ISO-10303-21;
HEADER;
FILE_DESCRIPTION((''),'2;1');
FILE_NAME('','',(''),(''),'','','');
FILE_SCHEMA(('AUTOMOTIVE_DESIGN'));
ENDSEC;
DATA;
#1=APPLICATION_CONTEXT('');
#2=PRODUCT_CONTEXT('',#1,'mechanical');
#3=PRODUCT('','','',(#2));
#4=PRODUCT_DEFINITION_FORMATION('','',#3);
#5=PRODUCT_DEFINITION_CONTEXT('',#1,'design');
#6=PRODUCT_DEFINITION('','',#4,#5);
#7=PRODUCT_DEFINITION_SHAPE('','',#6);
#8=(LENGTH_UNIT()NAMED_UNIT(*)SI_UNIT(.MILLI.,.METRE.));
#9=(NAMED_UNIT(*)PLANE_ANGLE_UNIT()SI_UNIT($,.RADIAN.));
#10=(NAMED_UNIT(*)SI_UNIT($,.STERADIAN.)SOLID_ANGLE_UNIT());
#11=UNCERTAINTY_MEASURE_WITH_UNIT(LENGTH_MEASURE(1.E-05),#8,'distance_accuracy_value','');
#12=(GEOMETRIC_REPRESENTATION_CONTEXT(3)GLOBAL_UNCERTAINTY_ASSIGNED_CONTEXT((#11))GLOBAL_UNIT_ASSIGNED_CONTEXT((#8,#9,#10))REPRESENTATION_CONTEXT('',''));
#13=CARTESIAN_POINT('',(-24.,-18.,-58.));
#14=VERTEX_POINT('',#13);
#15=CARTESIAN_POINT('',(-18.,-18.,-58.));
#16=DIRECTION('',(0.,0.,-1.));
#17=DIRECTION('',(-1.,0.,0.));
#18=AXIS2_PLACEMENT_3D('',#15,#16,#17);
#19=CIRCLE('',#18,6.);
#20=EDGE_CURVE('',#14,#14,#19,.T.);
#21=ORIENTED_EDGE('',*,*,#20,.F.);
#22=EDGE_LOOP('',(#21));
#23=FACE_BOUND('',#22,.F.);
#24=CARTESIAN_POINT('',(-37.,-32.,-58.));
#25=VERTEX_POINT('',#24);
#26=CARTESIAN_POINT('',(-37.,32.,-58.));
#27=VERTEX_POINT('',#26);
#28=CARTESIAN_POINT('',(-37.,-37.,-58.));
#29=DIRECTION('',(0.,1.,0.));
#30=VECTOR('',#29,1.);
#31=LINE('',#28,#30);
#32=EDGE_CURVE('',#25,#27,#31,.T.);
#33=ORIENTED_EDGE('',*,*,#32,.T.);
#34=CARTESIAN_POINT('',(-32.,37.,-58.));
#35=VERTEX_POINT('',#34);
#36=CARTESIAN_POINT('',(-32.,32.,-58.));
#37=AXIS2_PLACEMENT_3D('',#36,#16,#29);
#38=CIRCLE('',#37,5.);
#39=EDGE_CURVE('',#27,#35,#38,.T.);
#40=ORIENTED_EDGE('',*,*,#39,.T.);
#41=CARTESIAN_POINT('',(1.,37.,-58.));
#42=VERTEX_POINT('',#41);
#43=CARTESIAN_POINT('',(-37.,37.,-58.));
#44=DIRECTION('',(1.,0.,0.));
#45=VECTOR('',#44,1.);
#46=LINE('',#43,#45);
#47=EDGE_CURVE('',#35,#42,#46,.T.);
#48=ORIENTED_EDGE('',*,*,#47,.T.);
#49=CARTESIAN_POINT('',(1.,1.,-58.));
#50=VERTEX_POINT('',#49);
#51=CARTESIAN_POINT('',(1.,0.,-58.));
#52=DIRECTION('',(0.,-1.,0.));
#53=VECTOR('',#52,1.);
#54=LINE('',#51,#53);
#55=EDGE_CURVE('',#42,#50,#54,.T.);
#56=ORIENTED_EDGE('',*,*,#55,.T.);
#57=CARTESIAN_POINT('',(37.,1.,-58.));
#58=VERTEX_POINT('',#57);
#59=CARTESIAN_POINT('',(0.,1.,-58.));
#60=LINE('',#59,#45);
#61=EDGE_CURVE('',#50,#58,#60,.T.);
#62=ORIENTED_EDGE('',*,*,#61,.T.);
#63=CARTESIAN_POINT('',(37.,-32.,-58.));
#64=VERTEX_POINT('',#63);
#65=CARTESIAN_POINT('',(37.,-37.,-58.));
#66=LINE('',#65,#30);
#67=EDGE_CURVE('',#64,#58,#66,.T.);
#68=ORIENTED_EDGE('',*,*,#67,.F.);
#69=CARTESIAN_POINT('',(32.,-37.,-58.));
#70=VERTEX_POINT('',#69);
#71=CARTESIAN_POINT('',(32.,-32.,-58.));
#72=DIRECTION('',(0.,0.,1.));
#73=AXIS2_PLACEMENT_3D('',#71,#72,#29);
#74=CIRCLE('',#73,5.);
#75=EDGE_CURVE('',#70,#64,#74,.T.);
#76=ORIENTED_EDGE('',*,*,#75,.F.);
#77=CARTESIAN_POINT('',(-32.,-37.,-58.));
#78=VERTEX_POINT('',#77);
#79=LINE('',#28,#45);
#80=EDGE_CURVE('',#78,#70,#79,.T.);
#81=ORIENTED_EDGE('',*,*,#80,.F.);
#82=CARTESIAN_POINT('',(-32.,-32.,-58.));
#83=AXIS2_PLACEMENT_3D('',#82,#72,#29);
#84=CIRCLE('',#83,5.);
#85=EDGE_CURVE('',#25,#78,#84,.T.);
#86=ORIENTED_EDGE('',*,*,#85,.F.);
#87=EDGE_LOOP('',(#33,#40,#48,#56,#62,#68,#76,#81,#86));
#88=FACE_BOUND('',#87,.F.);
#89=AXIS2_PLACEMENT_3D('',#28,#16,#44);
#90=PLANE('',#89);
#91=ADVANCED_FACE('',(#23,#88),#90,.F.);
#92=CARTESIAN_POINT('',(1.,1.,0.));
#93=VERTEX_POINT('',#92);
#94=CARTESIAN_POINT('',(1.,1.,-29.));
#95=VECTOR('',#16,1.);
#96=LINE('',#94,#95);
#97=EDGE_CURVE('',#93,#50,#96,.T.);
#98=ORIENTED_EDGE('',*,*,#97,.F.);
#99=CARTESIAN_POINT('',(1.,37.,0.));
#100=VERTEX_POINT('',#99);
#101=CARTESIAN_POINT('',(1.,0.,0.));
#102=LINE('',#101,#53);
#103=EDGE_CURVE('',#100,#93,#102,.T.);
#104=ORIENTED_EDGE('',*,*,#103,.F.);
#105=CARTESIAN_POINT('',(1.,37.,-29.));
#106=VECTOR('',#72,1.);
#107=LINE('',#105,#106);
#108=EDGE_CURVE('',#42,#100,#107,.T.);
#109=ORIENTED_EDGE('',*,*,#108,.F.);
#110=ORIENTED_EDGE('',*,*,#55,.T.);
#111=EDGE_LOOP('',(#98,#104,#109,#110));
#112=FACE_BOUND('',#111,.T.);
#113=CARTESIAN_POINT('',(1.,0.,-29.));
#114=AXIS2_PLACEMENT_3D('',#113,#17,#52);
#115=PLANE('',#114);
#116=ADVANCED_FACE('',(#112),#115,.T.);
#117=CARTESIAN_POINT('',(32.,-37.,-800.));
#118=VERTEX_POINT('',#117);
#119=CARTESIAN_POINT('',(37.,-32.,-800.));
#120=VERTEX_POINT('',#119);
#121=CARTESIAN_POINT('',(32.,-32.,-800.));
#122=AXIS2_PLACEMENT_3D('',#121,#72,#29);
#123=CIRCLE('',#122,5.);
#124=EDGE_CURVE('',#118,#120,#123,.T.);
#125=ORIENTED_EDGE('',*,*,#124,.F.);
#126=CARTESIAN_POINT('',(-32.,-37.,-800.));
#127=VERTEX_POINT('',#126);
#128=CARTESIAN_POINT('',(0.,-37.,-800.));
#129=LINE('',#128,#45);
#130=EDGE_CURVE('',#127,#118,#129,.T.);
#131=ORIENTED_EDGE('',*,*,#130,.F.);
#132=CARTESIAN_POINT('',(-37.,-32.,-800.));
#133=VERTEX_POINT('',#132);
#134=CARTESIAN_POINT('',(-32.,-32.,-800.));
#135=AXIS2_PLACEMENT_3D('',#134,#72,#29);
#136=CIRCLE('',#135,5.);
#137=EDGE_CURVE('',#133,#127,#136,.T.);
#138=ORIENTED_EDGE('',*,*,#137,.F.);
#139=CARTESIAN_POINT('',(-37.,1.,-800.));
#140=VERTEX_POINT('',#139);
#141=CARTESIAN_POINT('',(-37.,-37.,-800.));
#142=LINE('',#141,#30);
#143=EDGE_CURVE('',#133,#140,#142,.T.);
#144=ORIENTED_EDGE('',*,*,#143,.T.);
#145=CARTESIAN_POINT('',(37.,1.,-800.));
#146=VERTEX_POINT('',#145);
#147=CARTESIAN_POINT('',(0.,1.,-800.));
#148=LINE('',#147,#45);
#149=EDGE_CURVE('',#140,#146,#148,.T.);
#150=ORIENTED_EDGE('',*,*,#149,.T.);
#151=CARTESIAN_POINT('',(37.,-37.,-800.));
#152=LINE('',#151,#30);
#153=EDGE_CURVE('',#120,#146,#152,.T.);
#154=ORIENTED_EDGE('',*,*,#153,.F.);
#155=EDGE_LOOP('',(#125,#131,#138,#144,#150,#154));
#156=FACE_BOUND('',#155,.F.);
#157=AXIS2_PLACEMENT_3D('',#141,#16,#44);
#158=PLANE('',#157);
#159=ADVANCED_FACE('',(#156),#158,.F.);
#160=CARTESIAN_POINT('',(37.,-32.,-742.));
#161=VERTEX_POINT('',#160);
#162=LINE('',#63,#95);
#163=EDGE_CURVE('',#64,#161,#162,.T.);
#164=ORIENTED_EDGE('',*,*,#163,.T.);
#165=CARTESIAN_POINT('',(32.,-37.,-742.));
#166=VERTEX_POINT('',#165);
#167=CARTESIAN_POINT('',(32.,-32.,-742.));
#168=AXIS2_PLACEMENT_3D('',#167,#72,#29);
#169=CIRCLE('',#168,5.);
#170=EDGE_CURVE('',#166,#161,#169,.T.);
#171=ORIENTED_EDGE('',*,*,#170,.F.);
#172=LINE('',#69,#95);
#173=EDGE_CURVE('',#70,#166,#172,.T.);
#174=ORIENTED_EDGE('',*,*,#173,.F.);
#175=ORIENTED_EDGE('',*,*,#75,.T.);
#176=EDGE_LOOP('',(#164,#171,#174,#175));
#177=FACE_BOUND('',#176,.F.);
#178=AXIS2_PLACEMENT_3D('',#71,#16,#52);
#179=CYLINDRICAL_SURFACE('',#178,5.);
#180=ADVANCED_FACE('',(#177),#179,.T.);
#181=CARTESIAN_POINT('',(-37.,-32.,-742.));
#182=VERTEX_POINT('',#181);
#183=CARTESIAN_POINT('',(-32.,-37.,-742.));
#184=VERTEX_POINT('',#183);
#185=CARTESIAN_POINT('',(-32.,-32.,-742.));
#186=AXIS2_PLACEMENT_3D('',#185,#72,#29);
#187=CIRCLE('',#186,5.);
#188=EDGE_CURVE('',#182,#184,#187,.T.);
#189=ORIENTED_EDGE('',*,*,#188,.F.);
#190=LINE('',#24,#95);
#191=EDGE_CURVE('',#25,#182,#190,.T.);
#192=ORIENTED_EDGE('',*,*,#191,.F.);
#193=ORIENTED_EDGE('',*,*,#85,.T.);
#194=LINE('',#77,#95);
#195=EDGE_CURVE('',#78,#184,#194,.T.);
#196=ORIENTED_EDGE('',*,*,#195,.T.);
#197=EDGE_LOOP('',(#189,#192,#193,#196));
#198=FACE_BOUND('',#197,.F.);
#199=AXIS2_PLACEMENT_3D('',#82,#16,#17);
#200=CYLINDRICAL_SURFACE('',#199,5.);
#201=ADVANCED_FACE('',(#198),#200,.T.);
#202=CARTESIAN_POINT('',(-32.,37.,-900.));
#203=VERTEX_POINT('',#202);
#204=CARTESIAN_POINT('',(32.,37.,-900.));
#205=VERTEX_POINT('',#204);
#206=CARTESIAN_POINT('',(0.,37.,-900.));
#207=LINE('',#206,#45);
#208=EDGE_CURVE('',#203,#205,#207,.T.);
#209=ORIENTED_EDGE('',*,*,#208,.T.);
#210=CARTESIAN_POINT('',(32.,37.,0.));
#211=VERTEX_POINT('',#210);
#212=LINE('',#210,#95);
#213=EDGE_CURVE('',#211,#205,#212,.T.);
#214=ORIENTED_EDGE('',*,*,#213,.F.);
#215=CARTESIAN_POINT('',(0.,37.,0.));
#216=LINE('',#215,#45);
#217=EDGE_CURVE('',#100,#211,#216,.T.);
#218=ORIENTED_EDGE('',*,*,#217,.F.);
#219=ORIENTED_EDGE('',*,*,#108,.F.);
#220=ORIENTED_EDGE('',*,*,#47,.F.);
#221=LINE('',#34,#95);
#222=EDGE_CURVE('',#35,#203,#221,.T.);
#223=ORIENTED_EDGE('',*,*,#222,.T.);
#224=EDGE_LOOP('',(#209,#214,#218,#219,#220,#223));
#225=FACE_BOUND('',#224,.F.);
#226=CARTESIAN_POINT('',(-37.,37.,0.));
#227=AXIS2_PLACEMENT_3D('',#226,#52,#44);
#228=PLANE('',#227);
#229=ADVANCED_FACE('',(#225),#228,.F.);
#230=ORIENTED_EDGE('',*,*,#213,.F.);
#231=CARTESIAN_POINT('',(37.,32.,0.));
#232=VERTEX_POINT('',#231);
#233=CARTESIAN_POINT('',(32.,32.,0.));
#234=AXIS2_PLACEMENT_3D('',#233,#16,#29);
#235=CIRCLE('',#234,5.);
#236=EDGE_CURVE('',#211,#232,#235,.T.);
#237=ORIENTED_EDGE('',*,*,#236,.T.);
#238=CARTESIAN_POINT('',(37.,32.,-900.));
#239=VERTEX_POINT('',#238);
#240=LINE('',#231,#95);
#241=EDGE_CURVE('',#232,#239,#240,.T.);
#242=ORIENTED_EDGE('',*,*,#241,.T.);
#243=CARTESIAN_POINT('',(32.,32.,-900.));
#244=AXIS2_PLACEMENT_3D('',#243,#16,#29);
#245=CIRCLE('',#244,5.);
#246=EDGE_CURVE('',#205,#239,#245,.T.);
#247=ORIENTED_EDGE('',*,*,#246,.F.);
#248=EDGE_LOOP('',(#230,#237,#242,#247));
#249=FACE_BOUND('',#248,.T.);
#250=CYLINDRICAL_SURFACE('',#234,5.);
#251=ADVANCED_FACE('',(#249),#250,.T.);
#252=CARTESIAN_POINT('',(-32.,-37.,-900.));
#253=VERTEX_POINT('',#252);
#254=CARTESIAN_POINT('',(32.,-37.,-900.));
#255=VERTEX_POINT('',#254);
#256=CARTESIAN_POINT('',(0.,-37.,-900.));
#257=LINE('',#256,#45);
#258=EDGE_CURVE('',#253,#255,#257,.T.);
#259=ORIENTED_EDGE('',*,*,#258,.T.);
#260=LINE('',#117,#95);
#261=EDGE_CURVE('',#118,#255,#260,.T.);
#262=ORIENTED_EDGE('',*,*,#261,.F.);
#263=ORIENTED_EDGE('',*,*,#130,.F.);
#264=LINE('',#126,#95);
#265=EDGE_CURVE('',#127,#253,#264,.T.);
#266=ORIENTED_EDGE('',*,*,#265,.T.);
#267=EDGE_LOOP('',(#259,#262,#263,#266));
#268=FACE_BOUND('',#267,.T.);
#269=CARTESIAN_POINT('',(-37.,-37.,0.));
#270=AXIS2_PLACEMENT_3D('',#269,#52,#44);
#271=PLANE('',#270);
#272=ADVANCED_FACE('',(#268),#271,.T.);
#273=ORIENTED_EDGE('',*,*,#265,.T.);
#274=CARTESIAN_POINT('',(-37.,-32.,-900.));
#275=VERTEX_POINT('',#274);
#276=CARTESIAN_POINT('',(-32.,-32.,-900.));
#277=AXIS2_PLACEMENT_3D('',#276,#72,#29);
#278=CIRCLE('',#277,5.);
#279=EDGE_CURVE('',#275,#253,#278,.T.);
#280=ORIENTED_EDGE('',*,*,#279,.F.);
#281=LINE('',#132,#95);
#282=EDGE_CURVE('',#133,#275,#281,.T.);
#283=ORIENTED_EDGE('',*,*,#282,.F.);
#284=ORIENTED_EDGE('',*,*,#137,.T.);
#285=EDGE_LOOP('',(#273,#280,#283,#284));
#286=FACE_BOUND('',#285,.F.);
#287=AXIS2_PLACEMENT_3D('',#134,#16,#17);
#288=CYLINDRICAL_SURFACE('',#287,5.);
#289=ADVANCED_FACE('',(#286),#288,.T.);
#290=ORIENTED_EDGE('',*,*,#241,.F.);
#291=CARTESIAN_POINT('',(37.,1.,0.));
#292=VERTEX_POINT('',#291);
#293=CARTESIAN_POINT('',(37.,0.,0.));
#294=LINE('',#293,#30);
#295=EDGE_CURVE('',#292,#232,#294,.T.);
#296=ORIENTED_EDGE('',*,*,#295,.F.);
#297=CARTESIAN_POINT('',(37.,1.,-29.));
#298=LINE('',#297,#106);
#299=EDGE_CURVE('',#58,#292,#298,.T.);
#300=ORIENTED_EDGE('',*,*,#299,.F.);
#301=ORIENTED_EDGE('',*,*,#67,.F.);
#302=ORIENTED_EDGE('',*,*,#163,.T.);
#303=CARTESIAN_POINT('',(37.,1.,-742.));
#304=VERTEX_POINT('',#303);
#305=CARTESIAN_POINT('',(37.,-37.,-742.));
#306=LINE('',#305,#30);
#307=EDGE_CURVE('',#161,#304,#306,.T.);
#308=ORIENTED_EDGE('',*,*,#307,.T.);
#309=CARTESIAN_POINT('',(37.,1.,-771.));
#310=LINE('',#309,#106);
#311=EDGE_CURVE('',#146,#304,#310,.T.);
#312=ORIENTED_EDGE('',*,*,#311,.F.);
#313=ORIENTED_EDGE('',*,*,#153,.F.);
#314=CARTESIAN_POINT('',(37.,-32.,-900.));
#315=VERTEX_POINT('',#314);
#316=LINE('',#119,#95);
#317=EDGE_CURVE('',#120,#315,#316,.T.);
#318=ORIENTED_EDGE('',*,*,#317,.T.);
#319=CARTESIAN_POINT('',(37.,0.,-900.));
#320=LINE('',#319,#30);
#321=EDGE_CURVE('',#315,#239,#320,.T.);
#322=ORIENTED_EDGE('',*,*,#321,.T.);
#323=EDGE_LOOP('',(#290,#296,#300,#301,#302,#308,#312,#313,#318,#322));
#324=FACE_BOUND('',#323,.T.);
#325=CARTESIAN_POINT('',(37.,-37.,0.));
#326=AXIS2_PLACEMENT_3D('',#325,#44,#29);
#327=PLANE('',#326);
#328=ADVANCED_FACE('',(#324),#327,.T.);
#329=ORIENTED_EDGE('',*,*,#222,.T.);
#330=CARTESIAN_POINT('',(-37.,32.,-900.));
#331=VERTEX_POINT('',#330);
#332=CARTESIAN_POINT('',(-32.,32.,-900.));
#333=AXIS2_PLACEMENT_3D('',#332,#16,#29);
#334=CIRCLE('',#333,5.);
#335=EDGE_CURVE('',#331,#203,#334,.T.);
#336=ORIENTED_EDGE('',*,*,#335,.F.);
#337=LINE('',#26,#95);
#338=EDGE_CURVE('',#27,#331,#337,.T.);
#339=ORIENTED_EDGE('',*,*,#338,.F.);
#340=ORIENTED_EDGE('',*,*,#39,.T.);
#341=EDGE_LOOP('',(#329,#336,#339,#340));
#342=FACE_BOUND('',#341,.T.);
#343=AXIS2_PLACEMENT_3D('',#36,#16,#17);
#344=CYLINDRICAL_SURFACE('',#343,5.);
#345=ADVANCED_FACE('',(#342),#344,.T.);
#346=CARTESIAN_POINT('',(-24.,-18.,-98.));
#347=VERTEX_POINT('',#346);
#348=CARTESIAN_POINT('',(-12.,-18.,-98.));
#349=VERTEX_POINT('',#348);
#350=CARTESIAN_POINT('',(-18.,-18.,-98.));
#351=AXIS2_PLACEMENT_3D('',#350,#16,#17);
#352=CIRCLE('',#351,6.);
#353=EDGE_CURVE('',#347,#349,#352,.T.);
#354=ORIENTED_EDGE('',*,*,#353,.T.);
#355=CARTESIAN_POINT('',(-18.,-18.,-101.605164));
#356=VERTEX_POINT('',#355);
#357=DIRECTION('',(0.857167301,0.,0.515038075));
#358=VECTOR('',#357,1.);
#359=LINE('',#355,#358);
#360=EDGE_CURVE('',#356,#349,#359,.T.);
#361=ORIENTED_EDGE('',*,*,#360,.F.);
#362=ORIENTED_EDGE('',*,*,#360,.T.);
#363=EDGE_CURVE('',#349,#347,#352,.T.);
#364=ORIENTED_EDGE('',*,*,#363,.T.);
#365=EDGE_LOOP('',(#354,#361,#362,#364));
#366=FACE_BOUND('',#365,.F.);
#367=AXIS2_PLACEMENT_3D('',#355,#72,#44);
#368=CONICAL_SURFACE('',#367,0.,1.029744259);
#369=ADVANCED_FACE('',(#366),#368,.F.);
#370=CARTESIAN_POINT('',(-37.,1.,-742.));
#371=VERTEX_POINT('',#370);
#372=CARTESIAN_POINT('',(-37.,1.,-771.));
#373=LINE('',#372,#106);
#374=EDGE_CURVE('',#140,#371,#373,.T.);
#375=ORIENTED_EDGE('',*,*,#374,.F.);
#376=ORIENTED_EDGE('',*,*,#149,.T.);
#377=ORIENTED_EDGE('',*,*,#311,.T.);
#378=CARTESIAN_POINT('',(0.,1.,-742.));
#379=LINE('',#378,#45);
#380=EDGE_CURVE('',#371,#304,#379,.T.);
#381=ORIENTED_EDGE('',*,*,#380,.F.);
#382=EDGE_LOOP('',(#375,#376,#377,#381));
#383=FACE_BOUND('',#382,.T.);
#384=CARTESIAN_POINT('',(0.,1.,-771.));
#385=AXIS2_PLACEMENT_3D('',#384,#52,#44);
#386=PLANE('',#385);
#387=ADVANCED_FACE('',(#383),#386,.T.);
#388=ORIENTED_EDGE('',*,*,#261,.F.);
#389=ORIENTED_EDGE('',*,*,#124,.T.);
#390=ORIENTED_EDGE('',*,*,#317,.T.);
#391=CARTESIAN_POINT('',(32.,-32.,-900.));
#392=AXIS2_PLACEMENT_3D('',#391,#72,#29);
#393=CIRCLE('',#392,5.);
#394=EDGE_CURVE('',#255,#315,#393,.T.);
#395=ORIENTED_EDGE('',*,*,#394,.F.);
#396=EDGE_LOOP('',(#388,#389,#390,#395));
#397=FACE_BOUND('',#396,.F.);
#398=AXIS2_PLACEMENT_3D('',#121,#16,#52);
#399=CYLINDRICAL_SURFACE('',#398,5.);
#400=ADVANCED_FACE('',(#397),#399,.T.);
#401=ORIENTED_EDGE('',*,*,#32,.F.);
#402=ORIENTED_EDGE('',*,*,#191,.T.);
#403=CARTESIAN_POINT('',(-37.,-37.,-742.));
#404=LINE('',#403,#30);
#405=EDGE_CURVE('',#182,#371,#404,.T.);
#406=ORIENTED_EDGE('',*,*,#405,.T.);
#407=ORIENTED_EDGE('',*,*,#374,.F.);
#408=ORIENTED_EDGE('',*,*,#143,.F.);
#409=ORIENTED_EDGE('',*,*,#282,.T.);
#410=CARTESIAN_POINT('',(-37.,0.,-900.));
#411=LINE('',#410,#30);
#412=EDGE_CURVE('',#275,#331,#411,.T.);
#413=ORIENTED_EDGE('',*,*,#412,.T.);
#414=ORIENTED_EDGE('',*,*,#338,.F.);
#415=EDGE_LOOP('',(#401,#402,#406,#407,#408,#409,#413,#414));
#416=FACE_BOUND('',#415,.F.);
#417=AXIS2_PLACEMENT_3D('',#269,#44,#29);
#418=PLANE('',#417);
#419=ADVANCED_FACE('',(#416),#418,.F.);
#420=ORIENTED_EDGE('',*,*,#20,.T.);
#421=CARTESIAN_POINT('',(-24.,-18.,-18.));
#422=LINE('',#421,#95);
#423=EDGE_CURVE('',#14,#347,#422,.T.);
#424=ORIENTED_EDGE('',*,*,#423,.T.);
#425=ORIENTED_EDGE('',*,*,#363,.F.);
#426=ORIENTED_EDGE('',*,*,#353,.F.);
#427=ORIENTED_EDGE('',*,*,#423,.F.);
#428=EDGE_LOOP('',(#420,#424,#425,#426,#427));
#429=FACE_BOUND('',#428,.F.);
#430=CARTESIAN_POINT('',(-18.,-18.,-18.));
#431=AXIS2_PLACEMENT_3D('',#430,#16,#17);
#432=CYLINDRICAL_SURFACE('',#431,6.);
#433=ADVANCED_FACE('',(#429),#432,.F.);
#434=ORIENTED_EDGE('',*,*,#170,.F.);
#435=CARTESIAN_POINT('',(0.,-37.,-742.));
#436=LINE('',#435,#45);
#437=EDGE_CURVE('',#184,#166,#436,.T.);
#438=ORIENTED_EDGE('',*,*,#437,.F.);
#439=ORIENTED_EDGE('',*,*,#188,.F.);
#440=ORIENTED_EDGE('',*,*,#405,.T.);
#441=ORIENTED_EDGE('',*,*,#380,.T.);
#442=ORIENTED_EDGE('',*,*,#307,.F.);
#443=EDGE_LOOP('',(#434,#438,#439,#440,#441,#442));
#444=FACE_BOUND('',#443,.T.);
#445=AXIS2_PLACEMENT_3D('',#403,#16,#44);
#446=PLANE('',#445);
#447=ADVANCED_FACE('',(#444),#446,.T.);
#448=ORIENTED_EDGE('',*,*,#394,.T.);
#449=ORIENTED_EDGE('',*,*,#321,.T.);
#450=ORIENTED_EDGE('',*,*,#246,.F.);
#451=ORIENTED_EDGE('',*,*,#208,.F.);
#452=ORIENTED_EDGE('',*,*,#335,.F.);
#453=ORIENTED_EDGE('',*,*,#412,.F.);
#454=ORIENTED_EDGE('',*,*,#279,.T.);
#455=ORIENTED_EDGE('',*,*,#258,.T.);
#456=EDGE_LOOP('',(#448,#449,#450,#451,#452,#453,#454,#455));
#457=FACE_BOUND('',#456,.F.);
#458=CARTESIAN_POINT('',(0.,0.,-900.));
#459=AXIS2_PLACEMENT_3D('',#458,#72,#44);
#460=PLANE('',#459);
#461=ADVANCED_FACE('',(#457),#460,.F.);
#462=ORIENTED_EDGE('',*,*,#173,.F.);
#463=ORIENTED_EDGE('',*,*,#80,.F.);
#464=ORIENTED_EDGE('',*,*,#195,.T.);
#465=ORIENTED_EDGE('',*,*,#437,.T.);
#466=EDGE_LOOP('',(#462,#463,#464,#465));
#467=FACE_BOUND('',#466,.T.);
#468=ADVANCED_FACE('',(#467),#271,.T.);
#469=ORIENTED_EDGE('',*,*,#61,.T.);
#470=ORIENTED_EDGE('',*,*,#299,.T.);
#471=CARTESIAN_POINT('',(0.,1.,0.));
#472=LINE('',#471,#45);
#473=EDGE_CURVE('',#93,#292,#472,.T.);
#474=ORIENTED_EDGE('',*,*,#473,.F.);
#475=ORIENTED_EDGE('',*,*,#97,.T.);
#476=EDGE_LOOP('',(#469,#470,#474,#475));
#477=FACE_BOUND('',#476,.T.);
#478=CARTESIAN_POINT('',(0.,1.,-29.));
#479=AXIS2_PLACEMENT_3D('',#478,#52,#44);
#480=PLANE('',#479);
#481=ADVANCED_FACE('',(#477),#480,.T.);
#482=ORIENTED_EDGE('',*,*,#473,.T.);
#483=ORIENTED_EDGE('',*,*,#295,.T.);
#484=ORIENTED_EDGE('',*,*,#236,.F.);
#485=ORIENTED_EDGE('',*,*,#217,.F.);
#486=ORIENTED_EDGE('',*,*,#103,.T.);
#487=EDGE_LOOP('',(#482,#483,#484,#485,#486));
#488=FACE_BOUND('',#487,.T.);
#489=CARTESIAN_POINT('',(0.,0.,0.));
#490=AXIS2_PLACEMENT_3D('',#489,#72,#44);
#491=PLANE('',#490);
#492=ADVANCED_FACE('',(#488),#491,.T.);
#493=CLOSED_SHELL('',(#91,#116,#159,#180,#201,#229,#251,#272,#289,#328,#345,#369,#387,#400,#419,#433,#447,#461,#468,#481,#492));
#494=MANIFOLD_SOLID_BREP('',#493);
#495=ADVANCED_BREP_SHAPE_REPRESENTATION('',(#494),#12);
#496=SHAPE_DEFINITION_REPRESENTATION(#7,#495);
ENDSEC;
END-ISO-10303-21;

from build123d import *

# Parameters (mm, degrees)
F0_W     = 74
F0_H     = 74
F1_DEPTH = 900
F2_W     = 74
F2_H     = 58
F4_DEPTH = 38
F3_W     = 74
F3_H     = 58
F5_DEPTH = 38
F7_D     = 12
F7_DEPTH = 40
F7_TIP   = 3.6051637142
F8_W     = 74
F8_H     = 58
F9_DEPTH = 38
F10_R    = 5


with BuildPart() as f1:
    # F0 (on Top) → F1 (new body)
    with BuildSketch(Plane.XY):
        Rectangle(F0_W, F0_H)
    extrude(amount=-F1_DEPTH)

    # F2 (on face) → F4 (cut)
    with BuildSketch(Plane.XZ.offset(37)):
        with Locations((0, -29)):
            Rectangle(F2_W, F2_H)
    extrude(amount=-F4_DEPTH, mode=Mode.SUBTRACT)

    # F3 (on face) → F5 (cut)
    with BuildSketch(Plane(origin=(-37, 0, 0), x_dir=(0, -1, 0), z_dir=(-1, 0, 0))):
        with Locations((0, -29)):
            Rectangle(F3_W, F3_H)
    extrude(amount=-F5_DEPTH, mode=Mode.SUBTRACT)

    # F7
    with Locations(Plane.XY.offset(-58)):
        with Locations((-18, -18)):
            Hole(F7_D / 2, depth=F7_DEPTH)
            with Locations((0, 0, -(F7_DEPTH + F7_TIP / 2))):  # 118° drill point
                Cone(0, F7_D / 2, F7_TIP, mode=Mode.SUBTRACT)

    # F8 (on face) → F9 (cut)
    with BuildSketch(Plane.XZ.offset(37)):
        with Locations((0, -771)):
            Rectangle(F8_W, F8_H)
    extrude(amount=-F9_DEPTH, mode=Mode.SUBTRACT)

    # F10
    f10_edges = [f1.edges().sort_by_distance(p)[0] for p in [
        (-37, -37, -850),
        (-37, -37, -400),
        (-37, 37, -479),
        (37, -37, -850),
        (37, -37, -400),
        (37, 37, -450),
    ]]
    fillet(f10_edges, radius=F10_R)


solid = f1.part
